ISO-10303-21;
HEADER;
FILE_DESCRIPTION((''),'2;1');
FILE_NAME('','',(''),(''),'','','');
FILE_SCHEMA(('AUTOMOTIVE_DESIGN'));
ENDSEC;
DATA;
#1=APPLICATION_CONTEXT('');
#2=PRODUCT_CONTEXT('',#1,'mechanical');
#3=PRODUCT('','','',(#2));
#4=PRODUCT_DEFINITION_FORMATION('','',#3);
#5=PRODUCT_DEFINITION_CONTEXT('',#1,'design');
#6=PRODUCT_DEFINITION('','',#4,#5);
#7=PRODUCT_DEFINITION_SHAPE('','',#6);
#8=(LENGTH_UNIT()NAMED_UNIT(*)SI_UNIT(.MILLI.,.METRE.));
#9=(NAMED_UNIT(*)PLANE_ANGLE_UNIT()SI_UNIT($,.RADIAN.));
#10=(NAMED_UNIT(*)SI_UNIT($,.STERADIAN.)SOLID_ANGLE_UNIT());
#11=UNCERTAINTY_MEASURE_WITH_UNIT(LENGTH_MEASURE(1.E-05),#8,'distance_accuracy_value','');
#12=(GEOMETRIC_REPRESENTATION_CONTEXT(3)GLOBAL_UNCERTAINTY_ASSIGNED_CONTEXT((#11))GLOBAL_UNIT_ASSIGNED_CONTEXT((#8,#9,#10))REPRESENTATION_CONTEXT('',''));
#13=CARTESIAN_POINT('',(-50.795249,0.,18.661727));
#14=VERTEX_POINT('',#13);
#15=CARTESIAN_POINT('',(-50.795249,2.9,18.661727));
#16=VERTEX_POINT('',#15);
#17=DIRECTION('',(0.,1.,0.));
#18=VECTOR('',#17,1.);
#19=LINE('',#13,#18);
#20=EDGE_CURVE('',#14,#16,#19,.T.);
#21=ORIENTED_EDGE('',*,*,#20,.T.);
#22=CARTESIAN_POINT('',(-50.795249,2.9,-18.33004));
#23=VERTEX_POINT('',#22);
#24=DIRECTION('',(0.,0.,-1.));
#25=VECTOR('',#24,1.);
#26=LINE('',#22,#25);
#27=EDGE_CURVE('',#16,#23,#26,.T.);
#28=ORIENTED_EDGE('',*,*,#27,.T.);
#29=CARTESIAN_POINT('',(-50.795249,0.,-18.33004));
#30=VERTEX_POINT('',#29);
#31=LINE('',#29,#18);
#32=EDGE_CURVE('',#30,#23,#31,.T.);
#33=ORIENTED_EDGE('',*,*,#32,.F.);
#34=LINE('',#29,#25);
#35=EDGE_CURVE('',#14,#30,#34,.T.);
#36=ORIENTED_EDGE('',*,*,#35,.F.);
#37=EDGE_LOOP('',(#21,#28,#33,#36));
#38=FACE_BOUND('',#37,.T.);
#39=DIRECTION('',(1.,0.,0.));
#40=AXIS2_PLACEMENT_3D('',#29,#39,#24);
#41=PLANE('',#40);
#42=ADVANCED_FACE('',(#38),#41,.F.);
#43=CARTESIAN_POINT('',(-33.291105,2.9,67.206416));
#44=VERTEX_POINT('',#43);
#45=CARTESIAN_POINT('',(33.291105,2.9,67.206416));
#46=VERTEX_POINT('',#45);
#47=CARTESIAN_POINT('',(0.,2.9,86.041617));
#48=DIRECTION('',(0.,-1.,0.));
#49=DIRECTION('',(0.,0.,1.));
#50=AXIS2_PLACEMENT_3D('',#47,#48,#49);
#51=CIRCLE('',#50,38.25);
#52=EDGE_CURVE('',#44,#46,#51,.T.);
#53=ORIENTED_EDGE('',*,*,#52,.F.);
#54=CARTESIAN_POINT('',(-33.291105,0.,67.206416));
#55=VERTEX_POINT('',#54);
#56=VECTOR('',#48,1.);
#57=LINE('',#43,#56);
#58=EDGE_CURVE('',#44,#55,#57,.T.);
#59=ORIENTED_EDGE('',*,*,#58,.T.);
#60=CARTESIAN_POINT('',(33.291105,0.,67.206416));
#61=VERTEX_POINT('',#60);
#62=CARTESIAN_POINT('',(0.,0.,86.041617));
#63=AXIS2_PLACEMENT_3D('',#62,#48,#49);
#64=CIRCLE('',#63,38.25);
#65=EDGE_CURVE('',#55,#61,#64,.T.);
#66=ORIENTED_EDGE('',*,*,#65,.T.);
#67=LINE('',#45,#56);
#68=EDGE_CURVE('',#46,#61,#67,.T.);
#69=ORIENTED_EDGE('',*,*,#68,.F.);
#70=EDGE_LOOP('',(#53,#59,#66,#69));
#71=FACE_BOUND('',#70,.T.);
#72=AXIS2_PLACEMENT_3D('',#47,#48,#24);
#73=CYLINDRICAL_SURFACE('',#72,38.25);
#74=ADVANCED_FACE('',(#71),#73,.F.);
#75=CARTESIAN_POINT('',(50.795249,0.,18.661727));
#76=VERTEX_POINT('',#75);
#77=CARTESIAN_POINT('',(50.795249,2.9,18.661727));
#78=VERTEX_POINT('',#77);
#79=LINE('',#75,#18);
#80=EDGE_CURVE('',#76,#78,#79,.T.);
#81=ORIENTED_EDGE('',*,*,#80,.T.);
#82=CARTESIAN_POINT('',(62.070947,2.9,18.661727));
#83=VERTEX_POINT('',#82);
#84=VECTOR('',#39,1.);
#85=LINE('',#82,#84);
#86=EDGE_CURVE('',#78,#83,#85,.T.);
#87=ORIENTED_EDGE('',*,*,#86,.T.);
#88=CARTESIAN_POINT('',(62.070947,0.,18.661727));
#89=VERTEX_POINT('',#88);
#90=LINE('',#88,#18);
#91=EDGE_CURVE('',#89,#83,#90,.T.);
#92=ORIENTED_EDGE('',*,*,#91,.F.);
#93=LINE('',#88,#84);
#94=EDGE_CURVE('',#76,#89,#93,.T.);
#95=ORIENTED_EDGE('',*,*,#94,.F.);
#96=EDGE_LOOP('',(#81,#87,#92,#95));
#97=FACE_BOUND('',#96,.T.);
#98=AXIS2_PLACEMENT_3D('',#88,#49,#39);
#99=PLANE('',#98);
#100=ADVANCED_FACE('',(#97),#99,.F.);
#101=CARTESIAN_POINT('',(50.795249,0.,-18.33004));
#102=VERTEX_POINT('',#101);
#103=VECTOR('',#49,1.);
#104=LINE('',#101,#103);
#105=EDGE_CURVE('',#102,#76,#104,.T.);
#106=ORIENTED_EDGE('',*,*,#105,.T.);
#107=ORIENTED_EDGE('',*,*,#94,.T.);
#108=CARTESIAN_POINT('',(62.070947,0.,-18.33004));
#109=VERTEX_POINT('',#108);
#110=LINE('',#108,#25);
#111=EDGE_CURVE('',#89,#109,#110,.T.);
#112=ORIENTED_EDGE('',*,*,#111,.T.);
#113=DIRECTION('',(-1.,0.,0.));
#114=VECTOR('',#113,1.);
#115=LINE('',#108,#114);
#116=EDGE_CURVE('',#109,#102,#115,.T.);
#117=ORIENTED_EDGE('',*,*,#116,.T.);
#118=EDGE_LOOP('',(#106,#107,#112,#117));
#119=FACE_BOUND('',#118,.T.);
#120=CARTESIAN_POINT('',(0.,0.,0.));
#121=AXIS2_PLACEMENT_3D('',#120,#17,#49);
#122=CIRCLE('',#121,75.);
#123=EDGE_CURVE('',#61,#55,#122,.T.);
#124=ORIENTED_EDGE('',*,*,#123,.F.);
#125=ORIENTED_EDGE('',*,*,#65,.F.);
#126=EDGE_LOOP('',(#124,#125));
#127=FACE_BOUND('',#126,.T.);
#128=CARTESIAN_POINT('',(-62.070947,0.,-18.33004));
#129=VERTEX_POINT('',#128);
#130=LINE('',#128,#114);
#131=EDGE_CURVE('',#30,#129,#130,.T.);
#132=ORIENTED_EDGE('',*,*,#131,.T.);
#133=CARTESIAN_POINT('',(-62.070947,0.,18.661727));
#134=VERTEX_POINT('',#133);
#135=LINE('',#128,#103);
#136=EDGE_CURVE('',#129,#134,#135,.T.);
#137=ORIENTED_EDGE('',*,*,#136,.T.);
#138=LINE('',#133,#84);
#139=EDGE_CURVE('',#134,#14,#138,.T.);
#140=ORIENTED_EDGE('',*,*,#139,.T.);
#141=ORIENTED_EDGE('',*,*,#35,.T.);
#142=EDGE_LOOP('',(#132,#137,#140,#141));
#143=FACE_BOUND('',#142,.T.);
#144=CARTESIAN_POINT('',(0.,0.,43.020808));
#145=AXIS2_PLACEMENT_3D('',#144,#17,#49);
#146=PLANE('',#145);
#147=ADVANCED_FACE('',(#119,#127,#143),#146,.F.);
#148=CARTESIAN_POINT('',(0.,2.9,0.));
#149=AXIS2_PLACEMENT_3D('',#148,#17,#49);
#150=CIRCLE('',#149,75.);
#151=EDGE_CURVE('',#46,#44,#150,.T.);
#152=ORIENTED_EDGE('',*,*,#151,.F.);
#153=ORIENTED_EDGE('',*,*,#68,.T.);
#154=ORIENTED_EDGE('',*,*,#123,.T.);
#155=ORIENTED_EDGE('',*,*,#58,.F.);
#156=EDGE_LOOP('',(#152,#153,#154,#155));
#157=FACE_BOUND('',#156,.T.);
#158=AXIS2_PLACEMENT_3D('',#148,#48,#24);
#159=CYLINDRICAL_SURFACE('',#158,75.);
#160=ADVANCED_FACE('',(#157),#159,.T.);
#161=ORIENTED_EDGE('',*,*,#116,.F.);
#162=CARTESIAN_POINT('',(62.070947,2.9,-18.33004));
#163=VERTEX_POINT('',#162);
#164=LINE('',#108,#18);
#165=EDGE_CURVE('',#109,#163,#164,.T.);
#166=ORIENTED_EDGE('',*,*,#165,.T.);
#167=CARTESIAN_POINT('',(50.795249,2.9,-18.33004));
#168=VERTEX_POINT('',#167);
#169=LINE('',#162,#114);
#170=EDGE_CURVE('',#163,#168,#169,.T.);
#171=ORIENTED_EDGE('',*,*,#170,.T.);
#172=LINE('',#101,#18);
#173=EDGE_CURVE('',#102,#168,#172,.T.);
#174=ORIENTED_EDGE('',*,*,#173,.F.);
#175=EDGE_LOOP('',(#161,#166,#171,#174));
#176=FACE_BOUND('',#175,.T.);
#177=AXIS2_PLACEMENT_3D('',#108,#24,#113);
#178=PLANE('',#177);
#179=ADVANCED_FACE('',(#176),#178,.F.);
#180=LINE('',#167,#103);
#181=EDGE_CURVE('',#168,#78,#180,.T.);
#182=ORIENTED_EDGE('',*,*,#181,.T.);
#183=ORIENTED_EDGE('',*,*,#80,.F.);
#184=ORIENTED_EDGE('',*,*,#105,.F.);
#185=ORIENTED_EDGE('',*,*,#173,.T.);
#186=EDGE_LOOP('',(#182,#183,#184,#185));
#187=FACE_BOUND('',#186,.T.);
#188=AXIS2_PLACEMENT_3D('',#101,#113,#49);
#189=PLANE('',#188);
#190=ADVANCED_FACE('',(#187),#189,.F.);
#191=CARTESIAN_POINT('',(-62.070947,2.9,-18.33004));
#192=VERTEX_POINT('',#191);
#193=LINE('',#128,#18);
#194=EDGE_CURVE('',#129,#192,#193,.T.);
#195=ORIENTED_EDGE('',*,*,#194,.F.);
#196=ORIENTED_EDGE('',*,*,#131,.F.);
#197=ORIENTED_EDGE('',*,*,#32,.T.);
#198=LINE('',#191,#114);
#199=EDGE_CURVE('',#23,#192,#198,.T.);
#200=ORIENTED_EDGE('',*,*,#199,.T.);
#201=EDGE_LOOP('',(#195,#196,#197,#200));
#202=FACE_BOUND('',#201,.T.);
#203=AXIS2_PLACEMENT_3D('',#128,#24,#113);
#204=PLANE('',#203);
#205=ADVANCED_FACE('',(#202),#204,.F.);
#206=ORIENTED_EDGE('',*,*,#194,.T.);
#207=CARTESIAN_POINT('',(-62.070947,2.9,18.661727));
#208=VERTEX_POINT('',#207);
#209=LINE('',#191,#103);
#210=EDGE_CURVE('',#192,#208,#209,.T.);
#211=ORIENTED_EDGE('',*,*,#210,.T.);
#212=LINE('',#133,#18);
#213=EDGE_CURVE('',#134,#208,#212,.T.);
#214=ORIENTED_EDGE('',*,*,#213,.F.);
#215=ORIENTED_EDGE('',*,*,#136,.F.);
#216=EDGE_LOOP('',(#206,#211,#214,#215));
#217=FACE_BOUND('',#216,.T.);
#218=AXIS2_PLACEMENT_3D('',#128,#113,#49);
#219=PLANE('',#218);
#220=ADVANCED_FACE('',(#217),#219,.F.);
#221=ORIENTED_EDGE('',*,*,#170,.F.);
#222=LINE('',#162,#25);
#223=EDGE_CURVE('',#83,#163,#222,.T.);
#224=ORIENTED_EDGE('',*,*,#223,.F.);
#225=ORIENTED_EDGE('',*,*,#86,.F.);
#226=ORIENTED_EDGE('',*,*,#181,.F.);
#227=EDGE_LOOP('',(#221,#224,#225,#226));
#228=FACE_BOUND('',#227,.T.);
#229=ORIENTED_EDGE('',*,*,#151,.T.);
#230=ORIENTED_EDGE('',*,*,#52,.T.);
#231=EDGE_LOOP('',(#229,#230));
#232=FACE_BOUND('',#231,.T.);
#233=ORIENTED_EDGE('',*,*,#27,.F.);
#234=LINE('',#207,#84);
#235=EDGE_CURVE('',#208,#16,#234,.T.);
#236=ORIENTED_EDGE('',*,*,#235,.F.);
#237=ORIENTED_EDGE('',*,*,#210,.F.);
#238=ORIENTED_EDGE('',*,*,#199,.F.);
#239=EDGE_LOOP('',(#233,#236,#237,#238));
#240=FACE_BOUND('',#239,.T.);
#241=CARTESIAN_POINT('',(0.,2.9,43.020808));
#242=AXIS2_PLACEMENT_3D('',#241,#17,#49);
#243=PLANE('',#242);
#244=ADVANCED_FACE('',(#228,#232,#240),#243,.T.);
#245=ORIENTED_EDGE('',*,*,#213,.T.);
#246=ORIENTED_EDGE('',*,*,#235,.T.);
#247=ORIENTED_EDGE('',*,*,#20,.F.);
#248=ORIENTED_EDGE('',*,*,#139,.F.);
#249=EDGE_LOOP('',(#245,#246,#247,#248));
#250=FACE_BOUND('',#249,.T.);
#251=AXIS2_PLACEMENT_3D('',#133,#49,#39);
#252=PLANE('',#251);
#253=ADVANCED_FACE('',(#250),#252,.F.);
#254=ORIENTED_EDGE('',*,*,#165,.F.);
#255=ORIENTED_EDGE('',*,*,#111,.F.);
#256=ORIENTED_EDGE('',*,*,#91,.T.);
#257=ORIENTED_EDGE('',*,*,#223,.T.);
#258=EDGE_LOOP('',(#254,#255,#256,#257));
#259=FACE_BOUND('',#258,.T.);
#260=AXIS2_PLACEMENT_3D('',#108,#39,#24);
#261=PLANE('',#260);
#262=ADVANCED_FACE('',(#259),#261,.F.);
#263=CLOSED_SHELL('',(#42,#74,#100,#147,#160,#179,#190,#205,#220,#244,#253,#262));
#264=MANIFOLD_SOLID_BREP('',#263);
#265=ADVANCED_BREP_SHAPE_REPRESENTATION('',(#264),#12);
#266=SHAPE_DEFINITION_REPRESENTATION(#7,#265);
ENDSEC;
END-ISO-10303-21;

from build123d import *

# Parameters (mm, degrees)
BOSS_EXTRUDE1_DEPTH = 2.9
SKETCH2_W           = 11.27569817
SKETCH2_H           = 36.991766838
CUT_EXTRUDE1_DEPTH  = 107.105654892


with BuildPart() as part:
    # Sketch1 → Boss-Extrude1 (new body)
    with BuildSketch(Plane(origin=(0, 0, 0), x_dir=(1, 0, 0), z_dir=(0, 1, 0))):
        with BuildLine():
            ThreePointArc((33.29110537, -67.206415641), (0, 75), (-33.29110537, -67.206415641))
            ThreePointArc((-33.29110537, -67.206415641), (0, -47.791616815), (33.29110537, -67.206415641))
        make_face()
    extrude(amount=BOSS_EXTRUDE1_DEPTH)

    # Sketch2 → Cut-Extrude1 (cut, through all)
    with BuildSketch(Plane(origin=(0, 2.9, 0), x_dir=(1, 0, 0), z_dir=(0, 1, 0))):
        with Locations((-56.433097695, -0.165843751)):
            Rectangle(SKETCH2_W, SKETCH2_H)
        with Locations((56.433097695, -0.165843751)):
            Rectangle(SKETCH2_W, SKETCH2_H)
    extrude(amount=-CUT_EXTRUDE1_DEPTH, mode=Mode.SUBTRACT)


solid = part.part
